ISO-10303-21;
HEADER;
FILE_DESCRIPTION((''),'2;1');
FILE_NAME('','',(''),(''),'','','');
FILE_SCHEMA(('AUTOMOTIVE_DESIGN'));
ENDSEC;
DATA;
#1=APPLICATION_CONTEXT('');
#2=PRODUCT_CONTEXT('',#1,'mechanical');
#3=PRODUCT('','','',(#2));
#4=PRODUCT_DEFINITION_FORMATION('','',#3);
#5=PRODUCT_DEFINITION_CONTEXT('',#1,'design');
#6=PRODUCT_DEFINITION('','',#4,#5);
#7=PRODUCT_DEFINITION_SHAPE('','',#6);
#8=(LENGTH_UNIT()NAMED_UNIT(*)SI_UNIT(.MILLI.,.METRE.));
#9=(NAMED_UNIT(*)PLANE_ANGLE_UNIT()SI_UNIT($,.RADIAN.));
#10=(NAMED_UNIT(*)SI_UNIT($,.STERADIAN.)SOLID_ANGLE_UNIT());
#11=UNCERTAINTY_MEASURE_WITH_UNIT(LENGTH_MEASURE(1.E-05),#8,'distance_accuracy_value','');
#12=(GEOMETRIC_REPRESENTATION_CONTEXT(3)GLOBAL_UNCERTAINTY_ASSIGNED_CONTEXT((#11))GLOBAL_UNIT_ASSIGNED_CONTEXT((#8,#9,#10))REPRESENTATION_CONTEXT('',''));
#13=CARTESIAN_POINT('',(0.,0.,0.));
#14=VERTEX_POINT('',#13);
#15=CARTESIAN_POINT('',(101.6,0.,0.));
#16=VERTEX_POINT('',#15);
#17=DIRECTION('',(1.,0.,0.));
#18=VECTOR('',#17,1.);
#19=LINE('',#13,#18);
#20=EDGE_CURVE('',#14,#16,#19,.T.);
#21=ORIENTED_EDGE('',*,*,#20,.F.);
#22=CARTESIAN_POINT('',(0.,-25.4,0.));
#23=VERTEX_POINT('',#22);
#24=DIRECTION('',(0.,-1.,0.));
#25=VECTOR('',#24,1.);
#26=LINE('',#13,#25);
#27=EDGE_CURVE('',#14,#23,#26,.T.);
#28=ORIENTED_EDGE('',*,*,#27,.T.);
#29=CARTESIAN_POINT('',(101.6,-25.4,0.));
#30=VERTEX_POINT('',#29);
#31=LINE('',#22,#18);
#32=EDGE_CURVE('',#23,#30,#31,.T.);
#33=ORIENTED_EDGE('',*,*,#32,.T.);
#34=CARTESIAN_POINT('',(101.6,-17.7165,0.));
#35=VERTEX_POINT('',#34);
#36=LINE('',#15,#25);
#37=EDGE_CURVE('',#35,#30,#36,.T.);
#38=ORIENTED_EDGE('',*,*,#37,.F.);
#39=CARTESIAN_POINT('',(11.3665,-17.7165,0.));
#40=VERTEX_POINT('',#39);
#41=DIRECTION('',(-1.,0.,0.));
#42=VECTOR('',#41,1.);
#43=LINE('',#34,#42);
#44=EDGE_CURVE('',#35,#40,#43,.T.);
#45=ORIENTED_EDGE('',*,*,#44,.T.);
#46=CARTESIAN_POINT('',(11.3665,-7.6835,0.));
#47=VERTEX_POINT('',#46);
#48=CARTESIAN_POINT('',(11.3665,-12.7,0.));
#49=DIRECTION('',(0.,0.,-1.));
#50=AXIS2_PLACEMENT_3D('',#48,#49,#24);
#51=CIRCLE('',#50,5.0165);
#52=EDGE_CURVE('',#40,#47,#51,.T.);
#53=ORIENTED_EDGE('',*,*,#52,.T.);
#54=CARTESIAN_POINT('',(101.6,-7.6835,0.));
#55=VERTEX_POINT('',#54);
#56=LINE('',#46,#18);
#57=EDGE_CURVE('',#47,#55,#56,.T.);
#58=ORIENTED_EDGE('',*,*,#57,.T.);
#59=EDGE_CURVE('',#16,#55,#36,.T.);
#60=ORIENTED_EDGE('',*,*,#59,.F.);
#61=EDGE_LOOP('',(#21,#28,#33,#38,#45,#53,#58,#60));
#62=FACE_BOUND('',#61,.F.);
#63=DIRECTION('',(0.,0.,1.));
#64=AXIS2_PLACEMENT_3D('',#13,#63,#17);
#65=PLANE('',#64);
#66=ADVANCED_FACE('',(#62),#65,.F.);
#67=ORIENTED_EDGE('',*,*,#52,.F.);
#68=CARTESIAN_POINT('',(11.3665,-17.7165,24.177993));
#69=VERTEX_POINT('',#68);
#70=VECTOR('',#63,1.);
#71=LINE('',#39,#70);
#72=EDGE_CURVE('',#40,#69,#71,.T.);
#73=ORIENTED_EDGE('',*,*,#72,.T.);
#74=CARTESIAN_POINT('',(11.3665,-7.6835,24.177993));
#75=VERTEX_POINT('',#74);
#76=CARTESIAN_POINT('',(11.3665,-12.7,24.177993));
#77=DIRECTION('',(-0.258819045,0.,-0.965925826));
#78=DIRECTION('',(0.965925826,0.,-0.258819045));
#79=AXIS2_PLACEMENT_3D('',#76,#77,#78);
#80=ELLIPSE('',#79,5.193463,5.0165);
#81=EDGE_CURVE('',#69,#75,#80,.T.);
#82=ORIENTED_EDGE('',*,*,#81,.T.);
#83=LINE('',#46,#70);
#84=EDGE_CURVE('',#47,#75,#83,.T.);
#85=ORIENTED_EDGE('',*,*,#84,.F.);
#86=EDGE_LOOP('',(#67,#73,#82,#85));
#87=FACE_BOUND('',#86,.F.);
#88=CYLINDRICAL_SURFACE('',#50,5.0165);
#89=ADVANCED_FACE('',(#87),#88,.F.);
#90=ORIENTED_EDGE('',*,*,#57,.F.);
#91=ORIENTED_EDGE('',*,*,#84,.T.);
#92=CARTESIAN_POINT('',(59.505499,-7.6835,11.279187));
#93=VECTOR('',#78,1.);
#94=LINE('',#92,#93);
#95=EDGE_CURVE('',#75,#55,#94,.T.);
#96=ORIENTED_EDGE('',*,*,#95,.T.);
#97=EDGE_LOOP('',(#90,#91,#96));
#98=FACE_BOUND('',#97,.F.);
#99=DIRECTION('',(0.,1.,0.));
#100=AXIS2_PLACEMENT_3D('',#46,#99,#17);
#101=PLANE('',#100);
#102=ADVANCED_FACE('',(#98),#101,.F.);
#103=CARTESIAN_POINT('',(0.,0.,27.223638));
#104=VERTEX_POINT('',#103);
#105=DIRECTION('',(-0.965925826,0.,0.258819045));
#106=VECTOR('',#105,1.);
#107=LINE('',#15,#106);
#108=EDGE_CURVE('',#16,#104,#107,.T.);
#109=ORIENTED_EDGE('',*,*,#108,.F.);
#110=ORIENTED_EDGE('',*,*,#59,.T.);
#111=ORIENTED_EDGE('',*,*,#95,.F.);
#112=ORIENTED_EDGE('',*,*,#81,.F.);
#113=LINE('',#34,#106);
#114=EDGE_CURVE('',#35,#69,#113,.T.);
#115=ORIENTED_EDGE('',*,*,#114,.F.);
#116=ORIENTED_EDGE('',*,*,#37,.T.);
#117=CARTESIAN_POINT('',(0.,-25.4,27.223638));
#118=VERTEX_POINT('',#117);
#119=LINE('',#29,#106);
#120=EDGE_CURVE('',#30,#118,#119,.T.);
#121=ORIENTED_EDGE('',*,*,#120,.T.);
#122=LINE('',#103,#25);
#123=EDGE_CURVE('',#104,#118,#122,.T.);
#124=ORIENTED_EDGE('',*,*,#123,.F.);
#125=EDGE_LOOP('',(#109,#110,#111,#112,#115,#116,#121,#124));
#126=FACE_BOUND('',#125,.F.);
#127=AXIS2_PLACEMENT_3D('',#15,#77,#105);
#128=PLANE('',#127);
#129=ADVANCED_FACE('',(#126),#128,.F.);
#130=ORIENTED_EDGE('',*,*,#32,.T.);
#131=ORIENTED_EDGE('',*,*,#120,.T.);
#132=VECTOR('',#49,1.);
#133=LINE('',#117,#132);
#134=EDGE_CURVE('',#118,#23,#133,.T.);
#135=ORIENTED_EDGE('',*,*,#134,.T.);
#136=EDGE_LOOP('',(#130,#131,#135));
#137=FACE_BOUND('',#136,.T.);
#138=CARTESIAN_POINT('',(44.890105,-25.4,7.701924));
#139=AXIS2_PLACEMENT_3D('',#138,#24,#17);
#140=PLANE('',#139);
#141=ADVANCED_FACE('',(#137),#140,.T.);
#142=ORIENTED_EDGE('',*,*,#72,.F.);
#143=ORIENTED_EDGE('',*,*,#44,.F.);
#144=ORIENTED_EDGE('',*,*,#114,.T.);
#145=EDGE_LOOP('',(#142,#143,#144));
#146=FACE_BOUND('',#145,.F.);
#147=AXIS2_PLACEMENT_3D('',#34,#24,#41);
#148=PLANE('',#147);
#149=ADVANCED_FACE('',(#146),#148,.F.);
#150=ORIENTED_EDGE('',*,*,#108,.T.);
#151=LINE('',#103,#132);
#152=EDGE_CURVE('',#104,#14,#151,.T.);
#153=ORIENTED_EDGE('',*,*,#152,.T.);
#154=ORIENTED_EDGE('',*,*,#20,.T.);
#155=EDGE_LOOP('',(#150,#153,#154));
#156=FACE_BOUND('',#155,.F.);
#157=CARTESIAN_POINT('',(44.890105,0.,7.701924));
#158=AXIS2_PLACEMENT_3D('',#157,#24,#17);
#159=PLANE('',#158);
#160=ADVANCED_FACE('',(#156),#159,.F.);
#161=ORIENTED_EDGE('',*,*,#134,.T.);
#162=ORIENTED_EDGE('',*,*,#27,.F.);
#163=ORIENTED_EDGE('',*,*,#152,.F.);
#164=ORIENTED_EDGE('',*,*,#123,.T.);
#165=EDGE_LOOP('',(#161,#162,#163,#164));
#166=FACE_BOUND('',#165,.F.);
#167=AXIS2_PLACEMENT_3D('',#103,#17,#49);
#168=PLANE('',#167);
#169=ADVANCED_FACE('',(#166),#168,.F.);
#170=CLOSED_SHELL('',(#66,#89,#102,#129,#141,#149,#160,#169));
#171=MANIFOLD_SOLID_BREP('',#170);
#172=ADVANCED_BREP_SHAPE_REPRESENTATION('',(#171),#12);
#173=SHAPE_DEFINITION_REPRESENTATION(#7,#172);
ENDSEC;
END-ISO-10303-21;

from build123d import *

# Parameters (mm, degrees)
F1_DEPTH = 25.4
F3_DEPTH = 25.5231605791


with BuildPart() as f1:
    # F0 (on Front) → F1 (new body)
    with BuildSketch(Plane.XZ):
        Polygon((0, 27.223637951), (0, 0), (101.6, 0), align=None)
    extrude(amount=F1_DEPTH)

    # F2 (on face) → F3 (cut, through all)
    with BuildSketch(Plane(origin=(0, 0, 0), x_dir=(1, 0, 0), z_dir=(0, 0, -1))):
        with BuildLine():
            ThreePointArc((11.3665, 7.6835), (14.9137011678, 9.1527988322), (16.383, 12.7))
            ThreePointArc((16.383, 12.7), (14.9137011678, 16.2472011678), (11.3665, 17.7165))
            ThreePointArc((11.3665, 17.7165), (6.35, 12.7), (11.3665, 7.6835))
        make_face()
        with BuildLine():
            ThreePointArc((11.3665, 17.7165), (14.9137011678, 16.2472011678), (16.383, 12.7))
            ThreePointArc((16.383, 12.7), (14.9137011678, 9.1527988322), (11.3665, 7.6835))
            Line((11.3665, 7.6835), (101.6, 7.6835))
            Line((101.6, 7.6835), (101.6, 17.7165))
            Line((101.6, 17.7165), (11.3665, 17.7165))
        make_face()
    extrude(amount=-F3_DEPTH, mode=Mode.SUBTRACT)


solid = f1.part
